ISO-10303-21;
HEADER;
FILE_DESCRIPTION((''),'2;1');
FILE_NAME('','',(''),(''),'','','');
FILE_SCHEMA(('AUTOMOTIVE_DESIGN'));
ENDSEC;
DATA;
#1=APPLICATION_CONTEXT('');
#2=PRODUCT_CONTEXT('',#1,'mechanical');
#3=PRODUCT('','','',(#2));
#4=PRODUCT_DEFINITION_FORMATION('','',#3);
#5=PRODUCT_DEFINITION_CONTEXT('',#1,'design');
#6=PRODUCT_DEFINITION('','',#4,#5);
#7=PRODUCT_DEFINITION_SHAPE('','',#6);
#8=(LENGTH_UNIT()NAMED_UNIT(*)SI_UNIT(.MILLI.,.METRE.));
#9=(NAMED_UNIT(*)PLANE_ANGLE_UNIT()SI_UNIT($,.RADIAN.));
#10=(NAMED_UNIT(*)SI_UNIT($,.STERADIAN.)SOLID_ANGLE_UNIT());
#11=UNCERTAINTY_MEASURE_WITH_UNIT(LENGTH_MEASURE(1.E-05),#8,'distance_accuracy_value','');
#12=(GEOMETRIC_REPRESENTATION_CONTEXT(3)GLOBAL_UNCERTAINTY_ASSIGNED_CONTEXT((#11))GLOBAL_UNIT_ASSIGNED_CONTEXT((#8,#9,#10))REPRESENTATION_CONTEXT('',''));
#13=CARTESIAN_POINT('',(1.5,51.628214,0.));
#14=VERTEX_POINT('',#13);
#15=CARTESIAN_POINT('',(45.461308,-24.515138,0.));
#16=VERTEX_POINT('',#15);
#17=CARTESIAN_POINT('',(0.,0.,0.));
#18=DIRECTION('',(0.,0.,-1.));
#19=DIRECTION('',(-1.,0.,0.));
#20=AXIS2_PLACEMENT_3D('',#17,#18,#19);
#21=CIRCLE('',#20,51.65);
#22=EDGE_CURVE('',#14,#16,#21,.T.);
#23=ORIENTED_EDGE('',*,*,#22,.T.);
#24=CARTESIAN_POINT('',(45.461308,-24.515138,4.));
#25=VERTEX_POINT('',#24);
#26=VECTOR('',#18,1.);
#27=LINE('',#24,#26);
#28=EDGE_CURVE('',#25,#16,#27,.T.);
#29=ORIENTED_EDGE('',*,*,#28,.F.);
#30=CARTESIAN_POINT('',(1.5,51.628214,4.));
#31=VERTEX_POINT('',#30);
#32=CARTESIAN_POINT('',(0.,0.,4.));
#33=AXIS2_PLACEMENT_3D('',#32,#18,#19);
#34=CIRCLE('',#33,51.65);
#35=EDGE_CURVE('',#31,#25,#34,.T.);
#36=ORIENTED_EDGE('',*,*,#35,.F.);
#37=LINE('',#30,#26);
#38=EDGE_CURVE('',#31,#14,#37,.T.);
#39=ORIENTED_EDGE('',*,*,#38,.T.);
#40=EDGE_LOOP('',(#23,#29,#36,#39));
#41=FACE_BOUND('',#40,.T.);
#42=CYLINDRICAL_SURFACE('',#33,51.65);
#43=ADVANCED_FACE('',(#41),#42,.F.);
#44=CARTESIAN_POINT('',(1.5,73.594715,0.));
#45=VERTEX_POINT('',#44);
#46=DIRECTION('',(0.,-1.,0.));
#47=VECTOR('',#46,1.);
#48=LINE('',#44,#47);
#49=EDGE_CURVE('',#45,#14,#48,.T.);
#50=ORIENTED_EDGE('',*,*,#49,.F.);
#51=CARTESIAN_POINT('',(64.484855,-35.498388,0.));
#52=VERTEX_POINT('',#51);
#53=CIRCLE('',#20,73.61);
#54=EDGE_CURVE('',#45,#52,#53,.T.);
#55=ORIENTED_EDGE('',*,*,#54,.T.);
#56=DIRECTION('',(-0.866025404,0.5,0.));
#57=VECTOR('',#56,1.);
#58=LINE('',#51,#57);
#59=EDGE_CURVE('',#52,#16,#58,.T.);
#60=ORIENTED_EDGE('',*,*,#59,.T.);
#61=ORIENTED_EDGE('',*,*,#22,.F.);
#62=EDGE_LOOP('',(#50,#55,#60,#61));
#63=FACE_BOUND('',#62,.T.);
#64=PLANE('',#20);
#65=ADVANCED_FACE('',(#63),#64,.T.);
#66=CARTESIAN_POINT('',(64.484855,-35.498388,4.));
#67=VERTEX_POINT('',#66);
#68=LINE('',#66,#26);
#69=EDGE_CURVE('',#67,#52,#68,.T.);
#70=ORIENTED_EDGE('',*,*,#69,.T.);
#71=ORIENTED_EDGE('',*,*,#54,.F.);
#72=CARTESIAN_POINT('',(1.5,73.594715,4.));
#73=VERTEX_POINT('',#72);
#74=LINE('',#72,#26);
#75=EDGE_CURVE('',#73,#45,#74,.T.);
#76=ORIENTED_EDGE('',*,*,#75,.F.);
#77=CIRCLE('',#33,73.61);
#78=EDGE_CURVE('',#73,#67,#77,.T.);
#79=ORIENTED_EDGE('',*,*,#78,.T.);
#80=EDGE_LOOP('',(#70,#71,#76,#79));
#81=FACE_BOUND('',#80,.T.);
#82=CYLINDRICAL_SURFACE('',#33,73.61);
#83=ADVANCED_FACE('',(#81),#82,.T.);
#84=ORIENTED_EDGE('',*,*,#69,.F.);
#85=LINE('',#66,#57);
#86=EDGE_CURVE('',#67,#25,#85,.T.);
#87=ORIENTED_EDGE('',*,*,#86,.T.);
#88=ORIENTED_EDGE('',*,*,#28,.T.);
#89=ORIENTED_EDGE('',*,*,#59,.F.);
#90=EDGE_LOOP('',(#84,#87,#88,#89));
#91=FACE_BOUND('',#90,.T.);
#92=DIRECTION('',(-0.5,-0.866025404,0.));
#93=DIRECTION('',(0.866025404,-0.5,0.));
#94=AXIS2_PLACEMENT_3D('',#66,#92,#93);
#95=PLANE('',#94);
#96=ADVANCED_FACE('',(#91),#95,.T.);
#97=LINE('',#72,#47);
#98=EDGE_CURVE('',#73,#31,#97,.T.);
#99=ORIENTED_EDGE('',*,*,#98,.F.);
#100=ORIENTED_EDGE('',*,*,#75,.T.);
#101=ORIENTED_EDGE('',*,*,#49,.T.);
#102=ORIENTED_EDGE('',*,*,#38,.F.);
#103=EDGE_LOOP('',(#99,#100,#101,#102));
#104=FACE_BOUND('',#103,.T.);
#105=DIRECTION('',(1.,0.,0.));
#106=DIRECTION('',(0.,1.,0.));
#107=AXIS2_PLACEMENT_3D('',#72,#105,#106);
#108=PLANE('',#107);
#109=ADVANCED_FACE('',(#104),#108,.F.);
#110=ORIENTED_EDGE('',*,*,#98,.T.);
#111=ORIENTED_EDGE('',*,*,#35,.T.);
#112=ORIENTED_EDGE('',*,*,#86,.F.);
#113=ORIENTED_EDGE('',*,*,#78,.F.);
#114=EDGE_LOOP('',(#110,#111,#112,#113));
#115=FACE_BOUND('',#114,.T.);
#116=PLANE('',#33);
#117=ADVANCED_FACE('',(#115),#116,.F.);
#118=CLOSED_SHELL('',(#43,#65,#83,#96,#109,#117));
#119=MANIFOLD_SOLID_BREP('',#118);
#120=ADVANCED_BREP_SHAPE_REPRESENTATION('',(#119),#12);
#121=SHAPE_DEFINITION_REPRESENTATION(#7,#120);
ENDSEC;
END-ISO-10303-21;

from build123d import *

# Parameters (mm, degrees)
BOSS_EXTRU_1_DEPTH = 4


with BuildPart() as part:
    # Esquisse1 → Boss.-Extru.1 (new body)
    with BuildSketch(Plane.XY):
        with BuildLine():
            Line((1.5, 73.594715164), (1.5, 51.628214186))
            ThreePointArc((1.5, 51.628214186), (44.730231579, 25.824966271), (45.461308065, -24.515137548))
            Line((45.461308065, -24.515137548), (64.48485536, -35.498387699))
            ThreePointArc((64.48485536, -35.498387699), (63.748149442, 36.804966278), (1.5, 73.594715164))
        make_face()
    extrude(amount=BOSS_EXTRU_1_DEPTH)


solid = part.part
